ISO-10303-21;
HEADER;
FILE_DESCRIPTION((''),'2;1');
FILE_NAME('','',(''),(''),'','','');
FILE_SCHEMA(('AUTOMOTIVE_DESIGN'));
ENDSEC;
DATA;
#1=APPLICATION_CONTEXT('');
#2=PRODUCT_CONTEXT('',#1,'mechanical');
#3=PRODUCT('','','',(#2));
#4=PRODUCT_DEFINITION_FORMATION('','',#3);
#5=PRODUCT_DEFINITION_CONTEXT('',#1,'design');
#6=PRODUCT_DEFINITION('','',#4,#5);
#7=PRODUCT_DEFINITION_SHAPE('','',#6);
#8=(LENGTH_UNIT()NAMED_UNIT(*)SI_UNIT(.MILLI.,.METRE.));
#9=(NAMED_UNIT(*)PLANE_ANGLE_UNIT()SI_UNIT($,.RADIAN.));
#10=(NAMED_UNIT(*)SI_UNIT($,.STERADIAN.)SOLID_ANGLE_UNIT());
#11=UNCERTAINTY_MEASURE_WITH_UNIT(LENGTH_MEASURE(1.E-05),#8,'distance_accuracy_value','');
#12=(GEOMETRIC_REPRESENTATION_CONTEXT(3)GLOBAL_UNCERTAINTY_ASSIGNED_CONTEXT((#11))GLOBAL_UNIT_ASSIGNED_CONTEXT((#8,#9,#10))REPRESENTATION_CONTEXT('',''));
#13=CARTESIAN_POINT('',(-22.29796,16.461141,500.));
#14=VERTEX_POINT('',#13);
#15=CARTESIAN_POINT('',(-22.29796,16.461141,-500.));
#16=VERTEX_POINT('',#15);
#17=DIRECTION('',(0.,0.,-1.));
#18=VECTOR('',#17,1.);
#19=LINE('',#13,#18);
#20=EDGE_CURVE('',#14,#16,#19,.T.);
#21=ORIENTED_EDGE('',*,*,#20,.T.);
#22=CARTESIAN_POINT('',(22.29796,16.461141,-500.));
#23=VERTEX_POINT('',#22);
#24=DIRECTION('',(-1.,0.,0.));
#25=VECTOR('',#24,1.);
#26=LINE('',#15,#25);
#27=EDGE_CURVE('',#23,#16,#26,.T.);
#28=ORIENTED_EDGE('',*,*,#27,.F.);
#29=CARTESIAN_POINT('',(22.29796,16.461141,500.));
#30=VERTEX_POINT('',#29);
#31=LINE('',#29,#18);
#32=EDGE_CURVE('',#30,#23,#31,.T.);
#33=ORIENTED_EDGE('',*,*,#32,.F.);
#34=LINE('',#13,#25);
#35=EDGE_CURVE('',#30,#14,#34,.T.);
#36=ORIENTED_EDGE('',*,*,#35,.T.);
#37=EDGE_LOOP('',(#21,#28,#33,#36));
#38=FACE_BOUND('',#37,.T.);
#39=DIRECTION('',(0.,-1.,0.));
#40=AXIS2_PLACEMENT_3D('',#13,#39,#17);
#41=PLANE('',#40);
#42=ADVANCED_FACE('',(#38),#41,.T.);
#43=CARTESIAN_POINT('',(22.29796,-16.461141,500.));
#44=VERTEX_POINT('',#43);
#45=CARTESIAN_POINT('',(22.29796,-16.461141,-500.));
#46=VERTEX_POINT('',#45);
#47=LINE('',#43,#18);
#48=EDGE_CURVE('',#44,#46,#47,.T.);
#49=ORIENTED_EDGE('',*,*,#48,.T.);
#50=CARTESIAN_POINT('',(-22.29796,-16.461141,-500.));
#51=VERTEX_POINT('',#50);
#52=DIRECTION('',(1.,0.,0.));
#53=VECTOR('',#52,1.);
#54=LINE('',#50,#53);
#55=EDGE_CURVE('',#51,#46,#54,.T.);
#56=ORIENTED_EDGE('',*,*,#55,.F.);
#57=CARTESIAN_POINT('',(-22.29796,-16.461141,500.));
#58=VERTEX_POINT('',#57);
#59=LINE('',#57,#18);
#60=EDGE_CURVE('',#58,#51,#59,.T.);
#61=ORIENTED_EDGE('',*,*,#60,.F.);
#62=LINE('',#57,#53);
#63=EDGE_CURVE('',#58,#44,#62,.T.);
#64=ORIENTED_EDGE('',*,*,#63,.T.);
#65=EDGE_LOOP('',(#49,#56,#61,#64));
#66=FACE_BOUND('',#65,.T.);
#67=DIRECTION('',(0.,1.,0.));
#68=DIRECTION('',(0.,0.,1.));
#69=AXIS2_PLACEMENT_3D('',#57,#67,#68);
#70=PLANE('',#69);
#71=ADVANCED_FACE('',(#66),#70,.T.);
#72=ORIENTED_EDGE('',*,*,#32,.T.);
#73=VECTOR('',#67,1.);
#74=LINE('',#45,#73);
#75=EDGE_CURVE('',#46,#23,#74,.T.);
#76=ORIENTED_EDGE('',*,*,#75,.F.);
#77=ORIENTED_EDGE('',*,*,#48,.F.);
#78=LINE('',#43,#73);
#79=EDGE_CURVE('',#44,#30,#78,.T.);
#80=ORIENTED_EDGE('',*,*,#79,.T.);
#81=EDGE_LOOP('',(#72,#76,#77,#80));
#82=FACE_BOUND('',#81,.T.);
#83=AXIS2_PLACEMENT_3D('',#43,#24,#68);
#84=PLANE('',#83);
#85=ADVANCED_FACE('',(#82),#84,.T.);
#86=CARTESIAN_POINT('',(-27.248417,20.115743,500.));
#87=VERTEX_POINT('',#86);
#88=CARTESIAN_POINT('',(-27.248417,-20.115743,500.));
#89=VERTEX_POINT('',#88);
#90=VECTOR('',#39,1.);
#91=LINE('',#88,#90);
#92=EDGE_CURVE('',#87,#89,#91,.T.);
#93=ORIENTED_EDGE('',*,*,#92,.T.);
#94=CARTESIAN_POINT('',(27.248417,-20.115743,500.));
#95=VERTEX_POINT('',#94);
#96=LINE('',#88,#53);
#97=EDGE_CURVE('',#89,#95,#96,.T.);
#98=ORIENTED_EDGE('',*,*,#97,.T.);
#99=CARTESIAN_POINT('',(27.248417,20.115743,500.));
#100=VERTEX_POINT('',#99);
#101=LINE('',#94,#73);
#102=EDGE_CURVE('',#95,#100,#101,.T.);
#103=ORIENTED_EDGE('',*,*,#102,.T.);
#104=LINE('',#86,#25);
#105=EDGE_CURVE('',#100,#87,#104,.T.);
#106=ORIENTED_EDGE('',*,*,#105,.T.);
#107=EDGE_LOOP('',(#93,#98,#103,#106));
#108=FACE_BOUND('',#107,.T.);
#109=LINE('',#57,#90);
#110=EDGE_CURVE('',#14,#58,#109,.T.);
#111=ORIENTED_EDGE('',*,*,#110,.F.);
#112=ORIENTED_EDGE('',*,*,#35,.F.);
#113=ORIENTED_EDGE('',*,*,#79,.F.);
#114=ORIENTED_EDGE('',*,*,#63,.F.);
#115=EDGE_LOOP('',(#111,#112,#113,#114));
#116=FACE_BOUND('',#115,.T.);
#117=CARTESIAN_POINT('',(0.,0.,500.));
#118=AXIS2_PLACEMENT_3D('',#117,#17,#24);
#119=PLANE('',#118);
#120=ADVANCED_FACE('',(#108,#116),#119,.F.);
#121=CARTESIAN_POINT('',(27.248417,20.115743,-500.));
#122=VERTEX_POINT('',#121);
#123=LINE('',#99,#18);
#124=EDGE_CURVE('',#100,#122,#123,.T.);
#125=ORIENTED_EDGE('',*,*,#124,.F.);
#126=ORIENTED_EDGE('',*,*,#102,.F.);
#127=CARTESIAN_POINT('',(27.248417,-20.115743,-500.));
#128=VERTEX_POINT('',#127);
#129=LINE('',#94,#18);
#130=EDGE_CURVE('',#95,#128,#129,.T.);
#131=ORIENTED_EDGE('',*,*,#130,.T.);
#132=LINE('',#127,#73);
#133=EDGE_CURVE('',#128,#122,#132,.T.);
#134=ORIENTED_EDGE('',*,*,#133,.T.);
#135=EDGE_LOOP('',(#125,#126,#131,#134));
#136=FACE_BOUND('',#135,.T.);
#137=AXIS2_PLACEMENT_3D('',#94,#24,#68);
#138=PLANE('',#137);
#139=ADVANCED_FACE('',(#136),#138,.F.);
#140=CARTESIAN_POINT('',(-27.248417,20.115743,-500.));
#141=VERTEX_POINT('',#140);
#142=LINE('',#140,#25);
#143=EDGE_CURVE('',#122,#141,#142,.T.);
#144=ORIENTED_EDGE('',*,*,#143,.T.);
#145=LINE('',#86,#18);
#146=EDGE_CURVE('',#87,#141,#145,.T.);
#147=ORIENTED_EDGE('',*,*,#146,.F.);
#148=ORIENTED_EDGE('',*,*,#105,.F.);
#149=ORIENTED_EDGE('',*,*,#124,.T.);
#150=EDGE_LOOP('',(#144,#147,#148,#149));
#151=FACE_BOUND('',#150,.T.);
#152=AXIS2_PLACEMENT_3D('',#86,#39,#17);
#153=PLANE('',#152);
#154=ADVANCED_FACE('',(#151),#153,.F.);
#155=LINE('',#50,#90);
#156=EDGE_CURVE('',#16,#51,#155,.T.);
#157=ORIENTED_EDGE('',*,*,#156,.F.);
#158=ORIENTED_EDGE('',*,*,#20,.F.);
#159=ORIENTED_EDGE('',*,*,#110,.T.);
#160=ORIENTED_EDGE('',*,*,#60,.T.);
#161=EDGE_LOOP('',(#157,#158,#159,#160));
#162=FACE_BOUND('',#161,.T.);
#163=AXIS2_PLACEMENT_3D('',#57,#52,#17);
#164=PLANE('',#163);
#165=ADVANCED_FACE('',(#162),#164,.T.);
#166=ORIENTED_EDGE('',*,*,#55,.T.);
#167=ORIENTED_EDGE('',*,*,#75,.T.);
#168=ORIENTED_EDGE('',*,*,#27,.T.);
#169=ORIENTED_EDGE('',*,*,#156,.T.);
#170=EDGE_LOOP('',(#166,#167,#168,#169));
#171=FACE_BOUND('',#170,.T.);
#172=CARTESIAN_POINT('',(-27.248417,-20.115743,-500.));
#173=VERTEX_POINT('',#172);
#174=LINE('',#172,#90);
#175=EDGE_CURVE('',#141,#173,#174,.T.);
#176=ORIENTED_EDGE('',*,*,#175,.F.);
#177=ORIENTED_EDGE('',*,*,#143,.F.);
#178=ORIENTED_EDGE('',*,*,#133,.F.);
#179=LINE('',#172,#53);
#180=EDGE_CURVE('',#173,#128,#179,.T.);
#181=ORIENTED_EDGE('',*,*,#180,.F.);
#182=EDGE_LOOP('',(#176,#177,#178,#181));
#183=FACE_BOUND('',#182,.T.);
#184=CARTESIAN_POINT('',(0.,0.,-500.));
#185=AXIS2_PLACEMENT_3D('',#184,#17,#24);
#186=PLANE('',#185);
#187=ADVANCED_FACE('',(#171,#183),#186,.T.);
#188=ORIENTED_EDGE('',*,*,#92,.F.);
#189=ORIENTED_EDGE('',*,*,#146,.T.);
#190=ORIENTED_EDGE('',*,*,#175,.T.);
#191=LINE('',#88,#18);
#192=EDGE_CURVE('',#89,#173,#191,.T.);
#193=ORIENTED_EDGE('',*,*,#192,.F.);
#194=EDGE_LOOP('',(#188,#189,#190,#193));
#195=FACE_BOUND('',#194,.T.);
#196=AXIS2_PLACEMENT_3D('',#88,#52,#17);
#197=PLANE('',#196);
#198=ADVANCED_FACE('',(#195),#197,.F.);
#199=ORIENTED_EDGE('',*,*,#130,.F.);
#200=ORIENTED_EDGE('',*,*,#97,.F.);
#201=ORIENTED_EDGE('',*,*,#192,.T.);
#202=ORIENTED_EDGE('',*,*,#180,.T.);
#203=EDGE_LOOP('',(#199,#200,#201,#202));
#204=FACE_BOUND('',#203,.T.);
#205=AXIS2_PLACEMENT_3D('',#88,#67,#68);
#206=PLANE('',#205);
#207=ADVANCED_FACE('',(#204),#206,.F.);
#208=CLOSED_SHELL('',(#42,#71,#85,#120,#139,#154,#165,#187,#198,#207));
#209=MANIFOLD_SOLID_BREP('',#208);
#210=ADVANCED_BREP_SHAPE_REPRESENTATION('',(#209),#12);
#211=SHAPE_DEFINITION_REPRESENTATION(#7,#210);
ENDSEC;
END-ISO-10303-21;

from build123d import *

# Parameters (mm, degrees)
SKIZZE1_W                       = 54.49683461
SKIZZE1_H                       = 40.231486728
SKIZZE1_W_2                     = 44.59591978
SKIZZE1_H_2                     = 32.922281956
AUFSATZ_LINEAR_AUSTRAGEN1_DEPTH = 500


with BuildPart() as part:
    # Skizze1 → Aufsatz-Linear austragen1 (new body, symmetric)
    with BuildSketch(Plane.XY):
        Rectangle(SKIZZE1_W, SKIZZE1_H)
        Rectangle(SKIZZE1_W_2, SKIZZE1_H_2, mode=Mode.SUBTRACT)
    extrude(amount=AUFSATZ_LINEAR_AUSTRAGEN1_DEPTH, both=True)


solid = part.part
